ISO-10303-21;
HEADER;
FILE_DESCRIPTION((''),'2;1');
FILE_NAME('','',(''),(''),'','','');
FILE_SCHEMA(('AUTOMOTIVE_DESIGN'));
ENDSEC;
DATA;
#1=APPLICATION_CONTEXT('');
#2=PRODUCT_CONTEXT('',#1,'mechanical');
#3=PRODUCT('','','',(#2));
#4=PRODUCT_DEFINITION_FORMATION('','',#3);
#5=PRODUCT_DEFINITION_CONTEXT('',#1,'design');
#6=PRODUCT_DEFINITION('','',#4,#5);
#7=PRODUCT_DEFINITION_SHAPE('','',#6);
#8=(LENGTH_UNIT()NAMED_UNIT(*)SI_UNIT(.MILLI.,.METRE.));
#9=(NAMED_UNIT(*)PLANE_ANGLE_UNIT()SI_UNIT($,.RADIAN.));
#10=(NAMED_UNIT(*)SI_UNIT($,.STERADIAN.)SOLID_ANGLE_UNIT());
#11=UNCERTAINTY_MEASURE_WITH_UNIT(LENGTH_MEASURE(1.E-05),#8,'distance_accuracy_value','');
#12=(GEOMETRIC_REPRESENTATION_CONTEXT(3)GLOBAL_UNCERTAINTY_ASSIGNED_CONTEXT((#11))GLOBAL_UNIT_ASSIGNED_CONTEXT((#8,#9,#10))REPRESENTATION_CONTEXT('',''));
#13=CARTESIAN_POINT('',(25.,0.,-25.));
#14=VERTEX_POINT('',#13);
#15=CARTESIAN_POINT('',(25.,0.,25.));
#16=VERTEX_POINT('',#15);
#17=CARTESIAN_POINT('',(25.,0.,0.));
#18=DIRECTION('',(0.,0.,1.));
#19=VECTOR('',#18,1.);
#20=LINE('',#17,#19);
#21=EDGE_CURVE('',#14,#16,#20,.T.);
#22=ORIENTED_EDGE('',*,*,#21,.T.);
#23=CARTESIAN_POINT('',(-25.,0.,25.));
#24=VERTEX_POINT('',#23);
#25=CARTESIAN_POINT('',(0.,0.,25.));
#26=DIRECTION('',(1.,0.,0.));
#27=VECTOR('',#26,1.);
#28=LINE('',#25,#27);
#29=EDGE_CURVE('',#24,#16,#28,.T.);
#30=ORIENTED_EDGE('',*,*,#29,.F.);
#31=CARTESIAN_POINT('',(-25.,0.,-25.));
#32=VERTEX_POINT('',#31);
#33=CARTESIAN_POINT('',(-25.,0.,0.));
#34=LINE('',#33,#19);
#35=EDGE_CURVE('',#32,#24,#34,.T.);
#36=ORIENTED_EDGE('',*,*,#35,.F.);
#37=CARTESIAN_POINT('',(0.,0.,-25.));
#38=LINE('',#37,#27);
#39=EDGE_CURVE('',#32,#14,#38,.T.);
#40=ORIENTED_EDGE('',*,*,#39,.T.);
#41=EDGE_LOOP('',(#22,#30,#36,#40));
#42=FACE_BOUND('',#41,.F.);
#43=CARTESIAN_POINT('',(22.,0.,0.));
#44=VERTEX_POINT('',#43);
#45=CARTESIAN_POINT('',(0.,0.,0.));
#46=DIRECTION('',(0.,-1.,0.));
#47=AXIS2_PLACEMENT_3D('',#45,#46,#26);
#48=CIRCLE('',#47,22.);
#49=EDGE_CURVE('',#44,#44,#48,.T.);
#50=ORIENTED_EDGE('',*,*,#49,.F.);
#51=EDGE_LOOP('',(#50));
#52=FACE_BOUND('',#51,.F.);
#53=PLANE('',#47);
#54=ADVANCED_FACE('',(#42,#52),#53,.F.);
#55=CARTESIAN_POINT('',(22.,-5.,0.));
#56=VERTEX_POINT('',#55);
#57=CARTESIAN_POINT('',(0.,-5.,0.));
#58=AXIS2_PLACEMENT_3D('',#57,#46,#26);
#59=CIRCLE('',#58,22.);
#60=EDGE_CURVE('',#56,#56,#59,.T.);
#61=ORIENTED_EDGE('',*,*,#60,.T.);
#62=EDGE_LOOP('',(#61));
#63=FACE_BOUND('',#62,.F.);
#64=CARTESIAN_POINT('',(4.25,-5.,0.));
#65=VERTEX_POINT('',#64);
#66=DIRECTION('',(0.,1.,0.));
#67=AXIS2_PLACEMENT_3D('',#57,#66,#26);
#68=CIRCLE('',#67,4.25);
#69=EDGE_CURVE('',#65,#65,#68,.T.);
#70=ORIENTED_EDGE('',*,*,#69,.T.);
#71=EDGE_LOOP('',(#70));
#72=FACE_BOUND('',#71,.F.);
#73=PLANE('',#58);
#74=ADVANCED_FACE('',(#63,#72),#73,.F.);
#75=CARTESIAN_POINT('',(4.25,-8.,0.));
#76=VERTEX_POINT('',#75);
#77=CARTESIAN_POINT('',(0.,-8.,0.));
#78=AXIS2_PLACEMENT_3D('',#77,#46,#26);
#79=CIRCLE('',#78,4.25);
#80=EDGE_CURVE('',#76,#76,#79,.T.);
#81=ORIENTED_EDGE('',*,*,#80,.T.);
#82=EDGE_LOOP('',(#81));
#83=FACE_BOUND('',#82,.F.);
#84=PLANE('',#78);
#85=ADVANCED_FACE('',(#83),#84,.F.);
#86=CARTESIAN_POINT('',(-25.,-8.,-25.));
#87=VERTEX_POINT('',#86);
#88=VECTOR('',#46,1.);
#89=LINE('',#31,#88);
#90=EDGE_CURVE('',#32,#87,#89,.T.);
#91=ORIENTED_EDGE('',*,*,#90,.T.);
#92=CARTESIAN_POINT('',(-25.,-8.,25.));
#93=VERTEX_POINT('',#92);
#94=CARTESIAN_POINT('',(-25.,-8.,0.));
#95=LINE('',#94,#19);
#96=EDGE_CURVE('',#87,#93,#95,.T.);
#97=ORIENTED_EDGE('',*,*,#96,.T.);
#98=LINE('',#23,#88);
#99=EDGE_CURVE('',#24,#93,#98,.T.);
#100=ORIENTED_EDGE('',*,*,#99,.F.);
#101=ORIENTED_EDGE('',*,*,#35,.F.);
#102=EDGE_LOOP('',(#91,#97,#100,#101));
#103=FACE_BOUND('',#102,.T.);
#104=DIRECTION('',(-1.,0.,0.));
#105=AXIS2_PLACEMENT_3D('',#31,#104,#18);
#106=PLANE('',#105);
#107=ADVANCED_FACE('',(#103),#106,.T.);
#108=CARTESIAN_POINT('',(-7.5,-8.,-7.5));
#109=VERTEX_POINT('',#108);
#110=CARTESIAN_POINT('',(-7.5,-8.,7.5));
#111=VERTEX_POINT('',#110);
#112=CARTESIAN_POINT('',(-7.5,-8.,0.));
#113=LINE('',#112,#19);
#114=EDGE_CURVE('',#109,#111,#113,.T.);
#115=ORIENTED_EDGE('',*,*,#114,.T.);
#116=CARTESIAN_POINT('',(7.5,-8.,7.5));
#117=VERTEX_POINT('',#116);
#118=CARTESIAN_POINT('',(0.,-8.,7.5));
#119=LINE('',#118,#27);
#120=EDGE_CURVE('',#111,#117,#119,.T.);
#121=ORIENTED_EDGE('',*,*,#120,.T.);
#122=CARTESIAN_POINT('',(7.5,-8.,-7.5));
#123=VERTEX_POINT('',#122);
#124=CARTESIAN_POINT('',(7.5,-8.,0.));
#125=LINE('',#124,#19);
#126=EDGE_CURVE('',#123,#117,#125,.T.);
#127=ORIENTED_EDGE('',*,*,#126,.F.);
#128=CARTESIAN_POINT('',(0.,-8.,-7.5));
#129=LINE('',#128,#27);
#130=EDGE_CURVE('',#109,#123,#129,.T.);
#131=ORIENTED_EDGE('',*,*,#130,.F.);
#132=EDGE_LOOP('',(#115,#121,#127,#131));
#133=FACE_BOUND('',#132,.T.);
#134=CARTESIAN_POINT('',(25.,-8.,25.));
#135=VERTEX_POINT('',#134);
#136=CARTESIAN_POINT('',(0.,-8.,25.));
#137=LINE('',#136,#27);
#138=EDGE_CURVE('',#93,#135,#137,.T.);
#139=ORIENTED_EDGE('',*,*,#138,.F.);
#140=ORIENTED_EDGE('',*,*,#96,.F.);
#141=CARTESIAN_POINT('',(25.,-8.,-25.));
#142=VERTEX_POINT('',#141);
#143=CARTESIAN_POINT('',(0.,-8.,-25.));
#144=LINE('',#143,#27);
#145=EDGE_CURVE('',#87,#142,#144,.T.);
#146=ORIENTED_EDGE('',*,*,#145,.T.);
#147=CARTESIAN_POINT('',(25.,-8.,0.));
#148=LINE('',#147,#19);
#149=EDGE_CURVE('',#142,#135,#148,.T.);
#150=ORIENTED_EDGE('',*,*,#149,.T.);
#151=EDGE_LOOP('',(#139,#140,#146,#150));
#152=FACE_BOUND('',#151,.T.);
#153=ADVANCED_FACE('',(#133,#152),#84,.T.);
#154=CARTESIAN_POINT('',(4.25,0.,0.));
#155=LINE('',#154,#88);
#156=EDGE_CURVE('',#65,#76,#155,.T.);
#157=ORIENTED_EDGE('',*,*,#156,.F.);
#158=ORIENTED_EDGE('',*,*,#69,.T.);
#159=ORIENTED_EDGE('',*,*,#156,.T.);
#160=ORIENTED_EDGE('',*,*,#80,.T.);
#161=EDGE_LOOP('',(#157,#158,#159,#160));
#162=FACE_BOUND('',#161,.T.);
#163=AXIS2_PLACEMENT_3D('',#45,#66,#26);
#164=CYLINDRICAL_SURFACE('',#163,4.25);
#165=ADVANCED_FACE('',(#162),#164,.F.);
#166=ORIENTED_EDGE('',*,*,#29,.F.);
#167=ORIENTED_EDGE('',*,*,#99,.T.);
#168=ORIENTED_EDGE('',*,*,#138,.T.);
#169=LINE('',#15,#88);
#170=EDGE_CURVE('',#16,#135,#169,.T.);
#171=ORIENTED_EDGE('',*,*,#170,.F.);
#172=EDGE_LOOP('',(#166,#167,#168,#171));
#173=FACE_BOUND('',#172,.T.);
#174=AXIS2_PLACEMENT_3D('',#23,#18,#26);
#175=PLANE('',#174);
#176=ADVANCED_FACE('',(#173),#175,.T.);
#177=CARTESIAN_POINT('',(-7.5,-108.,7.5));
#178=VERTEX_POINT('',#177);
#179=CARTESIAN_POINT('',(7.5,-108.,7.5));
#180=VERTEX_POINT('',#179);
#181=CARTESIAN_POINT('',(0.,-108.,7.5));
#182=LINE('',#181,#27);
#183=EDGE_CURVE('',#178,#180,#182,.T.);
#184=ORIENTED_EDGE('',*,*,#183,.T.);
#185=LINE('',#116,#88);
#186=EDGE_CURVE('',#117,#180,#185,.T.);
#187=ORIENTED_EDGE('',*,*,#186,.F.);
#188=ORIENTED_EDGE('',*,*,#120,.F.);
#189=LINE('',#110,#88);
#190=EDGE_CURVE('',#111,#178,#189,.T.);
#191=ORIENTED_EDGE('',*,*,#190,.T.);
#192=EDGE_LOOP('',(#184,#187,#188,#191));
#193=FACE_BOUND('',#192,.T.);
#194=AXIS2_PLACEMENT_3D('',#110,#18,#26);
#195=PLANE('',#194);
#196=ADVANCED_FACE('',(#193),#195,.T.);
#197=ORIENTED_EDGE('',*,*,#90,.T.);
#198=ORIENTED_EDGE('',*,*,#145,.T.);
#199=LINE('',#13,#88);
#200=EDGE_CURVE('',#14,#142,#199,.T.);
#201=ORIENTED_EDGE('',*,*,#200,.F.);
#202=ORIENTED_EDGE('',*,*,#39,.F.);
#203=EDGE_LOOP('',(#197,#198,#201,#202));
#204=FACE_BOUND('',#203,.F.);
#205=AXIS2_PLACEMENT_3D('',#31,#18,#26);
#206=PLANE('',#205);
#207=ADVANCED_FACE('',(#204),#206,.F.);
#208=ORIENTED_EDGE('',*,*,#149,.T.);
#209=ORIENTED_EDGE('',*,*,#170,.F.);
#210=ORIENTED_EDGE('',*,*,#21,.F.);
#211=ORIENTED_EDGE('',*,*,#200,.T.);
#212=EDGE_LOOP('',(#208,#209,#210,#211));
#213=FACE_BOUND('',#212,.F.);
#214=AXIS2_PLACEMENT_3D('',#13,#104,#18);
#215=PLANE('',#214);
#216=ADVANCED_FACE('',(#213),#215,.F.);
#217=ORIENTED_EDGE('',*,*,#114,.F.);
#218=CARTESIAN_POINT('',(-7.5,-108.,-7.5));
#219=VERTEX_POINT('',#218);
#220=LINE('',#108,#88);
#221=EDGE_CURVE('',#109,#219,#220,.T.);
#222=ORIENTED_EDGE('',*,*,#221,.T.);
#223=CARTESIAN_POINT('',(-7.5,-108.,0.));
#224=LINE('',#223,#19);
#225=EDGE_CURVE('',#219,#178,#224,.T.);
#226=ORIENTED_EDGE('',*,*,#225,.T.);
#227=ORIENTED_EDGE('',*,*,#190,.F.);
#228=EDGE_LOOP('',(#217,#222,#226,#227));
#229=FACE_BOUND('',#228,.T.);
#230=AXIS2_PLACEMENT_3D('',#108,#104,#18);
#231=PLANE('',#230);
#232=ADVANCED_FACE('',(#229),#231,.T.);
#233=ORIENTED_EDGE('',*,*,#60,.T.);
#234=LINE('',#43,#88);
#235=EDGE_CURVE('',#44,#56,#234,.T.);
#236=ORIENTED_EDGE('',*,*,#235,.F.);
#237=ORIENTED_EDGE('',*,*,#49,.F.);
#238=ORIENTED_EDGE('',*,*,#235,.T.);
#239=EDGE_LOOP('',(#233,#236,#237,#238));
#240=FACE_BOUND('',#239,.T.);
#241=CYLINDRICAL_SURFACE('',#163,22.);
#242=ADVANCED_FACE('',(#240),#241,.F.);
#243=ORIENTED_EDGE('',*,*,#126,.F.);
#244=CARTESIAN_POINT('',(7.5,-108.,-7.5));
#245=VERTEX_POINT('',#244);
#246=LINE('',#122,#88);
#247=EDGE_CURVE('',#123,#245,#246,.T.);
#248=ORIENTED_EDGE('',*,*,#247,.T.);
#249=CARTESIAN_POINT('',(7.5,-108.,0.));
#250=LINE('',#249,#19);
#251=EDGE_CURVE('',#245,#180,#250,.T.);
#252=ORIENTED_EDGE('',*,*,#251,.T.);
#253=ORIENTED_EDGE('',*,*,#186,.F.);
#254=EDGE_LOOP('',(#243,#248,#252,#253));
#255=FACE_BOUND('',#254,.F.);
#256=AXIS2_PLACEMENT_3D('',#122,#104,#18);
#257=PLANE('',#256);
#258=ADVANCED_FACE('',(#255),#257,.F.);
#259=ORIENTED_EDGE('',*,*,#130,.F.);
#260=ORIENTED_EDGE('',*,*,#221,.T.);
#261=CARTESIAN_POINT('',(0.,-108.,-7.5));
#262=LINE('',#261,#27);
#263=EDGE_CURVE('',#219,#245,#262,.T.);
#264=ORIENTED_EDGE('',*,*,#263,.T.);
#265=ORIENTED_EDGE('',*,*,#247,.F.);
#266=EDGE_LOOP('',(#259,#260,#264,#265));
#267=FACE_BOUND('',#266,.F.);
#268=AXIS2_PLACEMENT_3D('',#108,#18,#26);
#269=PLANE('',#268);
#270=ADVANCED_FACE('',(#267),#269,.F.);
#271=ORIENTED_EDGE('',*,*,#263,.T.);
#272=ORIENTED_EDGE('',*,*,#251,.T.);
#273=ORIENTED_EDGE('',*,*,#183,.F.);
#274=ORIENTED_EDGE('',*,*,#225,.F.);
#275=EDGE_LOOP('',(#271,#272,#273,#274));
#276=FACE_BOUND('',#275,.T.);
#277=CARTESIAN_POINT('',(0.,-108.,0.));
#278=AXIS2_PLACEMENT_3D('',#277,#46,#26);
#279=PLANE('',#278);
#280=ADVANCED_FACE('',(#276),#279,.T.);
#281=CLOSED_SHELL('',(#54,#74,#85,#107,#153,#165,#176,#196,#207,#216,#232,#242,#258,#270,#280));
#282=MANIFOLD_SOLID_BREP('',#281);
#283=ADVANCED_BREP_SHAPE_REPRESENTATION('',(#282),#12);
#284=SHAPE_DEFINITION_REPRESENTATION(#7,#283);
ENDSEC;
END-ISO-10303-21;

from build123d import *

# Parameters (mm, degrees)
F0_W     = 50
F0_H     = 50
F0_R     = 4.25
F1_DEPTH = 8
F2_R     = 22
F3_DEPTH = 5
F4_W     = 15
F4_H     = 15
F5_DEPTH = 100


with BuildPart() as f1:
    # F0 (on Front) → F1 (new body)
    with BuildSketch(Plane.XZ):
        Rectangle(F0_W, F0_H)
        Circle(F0_R, mode=Mode.SUBTRACT)
    extrude(amount=F1_DEPTH)

    # F2 (on Front) → F3 (cut)
    with BuildSketch(Plane.XZ):
        Circle(F2_R)
    extrude(amount=F3_DEPTH, mode=Mode.SUBTRACT)

    # F4 (on face) → F5 (join)
    with BuildSketch(Plane.XZ.offset(8)):
        Rectangle(F4_W, F4_H)
    extrude(amount=F5_DEPTH)


solid = f1.part
